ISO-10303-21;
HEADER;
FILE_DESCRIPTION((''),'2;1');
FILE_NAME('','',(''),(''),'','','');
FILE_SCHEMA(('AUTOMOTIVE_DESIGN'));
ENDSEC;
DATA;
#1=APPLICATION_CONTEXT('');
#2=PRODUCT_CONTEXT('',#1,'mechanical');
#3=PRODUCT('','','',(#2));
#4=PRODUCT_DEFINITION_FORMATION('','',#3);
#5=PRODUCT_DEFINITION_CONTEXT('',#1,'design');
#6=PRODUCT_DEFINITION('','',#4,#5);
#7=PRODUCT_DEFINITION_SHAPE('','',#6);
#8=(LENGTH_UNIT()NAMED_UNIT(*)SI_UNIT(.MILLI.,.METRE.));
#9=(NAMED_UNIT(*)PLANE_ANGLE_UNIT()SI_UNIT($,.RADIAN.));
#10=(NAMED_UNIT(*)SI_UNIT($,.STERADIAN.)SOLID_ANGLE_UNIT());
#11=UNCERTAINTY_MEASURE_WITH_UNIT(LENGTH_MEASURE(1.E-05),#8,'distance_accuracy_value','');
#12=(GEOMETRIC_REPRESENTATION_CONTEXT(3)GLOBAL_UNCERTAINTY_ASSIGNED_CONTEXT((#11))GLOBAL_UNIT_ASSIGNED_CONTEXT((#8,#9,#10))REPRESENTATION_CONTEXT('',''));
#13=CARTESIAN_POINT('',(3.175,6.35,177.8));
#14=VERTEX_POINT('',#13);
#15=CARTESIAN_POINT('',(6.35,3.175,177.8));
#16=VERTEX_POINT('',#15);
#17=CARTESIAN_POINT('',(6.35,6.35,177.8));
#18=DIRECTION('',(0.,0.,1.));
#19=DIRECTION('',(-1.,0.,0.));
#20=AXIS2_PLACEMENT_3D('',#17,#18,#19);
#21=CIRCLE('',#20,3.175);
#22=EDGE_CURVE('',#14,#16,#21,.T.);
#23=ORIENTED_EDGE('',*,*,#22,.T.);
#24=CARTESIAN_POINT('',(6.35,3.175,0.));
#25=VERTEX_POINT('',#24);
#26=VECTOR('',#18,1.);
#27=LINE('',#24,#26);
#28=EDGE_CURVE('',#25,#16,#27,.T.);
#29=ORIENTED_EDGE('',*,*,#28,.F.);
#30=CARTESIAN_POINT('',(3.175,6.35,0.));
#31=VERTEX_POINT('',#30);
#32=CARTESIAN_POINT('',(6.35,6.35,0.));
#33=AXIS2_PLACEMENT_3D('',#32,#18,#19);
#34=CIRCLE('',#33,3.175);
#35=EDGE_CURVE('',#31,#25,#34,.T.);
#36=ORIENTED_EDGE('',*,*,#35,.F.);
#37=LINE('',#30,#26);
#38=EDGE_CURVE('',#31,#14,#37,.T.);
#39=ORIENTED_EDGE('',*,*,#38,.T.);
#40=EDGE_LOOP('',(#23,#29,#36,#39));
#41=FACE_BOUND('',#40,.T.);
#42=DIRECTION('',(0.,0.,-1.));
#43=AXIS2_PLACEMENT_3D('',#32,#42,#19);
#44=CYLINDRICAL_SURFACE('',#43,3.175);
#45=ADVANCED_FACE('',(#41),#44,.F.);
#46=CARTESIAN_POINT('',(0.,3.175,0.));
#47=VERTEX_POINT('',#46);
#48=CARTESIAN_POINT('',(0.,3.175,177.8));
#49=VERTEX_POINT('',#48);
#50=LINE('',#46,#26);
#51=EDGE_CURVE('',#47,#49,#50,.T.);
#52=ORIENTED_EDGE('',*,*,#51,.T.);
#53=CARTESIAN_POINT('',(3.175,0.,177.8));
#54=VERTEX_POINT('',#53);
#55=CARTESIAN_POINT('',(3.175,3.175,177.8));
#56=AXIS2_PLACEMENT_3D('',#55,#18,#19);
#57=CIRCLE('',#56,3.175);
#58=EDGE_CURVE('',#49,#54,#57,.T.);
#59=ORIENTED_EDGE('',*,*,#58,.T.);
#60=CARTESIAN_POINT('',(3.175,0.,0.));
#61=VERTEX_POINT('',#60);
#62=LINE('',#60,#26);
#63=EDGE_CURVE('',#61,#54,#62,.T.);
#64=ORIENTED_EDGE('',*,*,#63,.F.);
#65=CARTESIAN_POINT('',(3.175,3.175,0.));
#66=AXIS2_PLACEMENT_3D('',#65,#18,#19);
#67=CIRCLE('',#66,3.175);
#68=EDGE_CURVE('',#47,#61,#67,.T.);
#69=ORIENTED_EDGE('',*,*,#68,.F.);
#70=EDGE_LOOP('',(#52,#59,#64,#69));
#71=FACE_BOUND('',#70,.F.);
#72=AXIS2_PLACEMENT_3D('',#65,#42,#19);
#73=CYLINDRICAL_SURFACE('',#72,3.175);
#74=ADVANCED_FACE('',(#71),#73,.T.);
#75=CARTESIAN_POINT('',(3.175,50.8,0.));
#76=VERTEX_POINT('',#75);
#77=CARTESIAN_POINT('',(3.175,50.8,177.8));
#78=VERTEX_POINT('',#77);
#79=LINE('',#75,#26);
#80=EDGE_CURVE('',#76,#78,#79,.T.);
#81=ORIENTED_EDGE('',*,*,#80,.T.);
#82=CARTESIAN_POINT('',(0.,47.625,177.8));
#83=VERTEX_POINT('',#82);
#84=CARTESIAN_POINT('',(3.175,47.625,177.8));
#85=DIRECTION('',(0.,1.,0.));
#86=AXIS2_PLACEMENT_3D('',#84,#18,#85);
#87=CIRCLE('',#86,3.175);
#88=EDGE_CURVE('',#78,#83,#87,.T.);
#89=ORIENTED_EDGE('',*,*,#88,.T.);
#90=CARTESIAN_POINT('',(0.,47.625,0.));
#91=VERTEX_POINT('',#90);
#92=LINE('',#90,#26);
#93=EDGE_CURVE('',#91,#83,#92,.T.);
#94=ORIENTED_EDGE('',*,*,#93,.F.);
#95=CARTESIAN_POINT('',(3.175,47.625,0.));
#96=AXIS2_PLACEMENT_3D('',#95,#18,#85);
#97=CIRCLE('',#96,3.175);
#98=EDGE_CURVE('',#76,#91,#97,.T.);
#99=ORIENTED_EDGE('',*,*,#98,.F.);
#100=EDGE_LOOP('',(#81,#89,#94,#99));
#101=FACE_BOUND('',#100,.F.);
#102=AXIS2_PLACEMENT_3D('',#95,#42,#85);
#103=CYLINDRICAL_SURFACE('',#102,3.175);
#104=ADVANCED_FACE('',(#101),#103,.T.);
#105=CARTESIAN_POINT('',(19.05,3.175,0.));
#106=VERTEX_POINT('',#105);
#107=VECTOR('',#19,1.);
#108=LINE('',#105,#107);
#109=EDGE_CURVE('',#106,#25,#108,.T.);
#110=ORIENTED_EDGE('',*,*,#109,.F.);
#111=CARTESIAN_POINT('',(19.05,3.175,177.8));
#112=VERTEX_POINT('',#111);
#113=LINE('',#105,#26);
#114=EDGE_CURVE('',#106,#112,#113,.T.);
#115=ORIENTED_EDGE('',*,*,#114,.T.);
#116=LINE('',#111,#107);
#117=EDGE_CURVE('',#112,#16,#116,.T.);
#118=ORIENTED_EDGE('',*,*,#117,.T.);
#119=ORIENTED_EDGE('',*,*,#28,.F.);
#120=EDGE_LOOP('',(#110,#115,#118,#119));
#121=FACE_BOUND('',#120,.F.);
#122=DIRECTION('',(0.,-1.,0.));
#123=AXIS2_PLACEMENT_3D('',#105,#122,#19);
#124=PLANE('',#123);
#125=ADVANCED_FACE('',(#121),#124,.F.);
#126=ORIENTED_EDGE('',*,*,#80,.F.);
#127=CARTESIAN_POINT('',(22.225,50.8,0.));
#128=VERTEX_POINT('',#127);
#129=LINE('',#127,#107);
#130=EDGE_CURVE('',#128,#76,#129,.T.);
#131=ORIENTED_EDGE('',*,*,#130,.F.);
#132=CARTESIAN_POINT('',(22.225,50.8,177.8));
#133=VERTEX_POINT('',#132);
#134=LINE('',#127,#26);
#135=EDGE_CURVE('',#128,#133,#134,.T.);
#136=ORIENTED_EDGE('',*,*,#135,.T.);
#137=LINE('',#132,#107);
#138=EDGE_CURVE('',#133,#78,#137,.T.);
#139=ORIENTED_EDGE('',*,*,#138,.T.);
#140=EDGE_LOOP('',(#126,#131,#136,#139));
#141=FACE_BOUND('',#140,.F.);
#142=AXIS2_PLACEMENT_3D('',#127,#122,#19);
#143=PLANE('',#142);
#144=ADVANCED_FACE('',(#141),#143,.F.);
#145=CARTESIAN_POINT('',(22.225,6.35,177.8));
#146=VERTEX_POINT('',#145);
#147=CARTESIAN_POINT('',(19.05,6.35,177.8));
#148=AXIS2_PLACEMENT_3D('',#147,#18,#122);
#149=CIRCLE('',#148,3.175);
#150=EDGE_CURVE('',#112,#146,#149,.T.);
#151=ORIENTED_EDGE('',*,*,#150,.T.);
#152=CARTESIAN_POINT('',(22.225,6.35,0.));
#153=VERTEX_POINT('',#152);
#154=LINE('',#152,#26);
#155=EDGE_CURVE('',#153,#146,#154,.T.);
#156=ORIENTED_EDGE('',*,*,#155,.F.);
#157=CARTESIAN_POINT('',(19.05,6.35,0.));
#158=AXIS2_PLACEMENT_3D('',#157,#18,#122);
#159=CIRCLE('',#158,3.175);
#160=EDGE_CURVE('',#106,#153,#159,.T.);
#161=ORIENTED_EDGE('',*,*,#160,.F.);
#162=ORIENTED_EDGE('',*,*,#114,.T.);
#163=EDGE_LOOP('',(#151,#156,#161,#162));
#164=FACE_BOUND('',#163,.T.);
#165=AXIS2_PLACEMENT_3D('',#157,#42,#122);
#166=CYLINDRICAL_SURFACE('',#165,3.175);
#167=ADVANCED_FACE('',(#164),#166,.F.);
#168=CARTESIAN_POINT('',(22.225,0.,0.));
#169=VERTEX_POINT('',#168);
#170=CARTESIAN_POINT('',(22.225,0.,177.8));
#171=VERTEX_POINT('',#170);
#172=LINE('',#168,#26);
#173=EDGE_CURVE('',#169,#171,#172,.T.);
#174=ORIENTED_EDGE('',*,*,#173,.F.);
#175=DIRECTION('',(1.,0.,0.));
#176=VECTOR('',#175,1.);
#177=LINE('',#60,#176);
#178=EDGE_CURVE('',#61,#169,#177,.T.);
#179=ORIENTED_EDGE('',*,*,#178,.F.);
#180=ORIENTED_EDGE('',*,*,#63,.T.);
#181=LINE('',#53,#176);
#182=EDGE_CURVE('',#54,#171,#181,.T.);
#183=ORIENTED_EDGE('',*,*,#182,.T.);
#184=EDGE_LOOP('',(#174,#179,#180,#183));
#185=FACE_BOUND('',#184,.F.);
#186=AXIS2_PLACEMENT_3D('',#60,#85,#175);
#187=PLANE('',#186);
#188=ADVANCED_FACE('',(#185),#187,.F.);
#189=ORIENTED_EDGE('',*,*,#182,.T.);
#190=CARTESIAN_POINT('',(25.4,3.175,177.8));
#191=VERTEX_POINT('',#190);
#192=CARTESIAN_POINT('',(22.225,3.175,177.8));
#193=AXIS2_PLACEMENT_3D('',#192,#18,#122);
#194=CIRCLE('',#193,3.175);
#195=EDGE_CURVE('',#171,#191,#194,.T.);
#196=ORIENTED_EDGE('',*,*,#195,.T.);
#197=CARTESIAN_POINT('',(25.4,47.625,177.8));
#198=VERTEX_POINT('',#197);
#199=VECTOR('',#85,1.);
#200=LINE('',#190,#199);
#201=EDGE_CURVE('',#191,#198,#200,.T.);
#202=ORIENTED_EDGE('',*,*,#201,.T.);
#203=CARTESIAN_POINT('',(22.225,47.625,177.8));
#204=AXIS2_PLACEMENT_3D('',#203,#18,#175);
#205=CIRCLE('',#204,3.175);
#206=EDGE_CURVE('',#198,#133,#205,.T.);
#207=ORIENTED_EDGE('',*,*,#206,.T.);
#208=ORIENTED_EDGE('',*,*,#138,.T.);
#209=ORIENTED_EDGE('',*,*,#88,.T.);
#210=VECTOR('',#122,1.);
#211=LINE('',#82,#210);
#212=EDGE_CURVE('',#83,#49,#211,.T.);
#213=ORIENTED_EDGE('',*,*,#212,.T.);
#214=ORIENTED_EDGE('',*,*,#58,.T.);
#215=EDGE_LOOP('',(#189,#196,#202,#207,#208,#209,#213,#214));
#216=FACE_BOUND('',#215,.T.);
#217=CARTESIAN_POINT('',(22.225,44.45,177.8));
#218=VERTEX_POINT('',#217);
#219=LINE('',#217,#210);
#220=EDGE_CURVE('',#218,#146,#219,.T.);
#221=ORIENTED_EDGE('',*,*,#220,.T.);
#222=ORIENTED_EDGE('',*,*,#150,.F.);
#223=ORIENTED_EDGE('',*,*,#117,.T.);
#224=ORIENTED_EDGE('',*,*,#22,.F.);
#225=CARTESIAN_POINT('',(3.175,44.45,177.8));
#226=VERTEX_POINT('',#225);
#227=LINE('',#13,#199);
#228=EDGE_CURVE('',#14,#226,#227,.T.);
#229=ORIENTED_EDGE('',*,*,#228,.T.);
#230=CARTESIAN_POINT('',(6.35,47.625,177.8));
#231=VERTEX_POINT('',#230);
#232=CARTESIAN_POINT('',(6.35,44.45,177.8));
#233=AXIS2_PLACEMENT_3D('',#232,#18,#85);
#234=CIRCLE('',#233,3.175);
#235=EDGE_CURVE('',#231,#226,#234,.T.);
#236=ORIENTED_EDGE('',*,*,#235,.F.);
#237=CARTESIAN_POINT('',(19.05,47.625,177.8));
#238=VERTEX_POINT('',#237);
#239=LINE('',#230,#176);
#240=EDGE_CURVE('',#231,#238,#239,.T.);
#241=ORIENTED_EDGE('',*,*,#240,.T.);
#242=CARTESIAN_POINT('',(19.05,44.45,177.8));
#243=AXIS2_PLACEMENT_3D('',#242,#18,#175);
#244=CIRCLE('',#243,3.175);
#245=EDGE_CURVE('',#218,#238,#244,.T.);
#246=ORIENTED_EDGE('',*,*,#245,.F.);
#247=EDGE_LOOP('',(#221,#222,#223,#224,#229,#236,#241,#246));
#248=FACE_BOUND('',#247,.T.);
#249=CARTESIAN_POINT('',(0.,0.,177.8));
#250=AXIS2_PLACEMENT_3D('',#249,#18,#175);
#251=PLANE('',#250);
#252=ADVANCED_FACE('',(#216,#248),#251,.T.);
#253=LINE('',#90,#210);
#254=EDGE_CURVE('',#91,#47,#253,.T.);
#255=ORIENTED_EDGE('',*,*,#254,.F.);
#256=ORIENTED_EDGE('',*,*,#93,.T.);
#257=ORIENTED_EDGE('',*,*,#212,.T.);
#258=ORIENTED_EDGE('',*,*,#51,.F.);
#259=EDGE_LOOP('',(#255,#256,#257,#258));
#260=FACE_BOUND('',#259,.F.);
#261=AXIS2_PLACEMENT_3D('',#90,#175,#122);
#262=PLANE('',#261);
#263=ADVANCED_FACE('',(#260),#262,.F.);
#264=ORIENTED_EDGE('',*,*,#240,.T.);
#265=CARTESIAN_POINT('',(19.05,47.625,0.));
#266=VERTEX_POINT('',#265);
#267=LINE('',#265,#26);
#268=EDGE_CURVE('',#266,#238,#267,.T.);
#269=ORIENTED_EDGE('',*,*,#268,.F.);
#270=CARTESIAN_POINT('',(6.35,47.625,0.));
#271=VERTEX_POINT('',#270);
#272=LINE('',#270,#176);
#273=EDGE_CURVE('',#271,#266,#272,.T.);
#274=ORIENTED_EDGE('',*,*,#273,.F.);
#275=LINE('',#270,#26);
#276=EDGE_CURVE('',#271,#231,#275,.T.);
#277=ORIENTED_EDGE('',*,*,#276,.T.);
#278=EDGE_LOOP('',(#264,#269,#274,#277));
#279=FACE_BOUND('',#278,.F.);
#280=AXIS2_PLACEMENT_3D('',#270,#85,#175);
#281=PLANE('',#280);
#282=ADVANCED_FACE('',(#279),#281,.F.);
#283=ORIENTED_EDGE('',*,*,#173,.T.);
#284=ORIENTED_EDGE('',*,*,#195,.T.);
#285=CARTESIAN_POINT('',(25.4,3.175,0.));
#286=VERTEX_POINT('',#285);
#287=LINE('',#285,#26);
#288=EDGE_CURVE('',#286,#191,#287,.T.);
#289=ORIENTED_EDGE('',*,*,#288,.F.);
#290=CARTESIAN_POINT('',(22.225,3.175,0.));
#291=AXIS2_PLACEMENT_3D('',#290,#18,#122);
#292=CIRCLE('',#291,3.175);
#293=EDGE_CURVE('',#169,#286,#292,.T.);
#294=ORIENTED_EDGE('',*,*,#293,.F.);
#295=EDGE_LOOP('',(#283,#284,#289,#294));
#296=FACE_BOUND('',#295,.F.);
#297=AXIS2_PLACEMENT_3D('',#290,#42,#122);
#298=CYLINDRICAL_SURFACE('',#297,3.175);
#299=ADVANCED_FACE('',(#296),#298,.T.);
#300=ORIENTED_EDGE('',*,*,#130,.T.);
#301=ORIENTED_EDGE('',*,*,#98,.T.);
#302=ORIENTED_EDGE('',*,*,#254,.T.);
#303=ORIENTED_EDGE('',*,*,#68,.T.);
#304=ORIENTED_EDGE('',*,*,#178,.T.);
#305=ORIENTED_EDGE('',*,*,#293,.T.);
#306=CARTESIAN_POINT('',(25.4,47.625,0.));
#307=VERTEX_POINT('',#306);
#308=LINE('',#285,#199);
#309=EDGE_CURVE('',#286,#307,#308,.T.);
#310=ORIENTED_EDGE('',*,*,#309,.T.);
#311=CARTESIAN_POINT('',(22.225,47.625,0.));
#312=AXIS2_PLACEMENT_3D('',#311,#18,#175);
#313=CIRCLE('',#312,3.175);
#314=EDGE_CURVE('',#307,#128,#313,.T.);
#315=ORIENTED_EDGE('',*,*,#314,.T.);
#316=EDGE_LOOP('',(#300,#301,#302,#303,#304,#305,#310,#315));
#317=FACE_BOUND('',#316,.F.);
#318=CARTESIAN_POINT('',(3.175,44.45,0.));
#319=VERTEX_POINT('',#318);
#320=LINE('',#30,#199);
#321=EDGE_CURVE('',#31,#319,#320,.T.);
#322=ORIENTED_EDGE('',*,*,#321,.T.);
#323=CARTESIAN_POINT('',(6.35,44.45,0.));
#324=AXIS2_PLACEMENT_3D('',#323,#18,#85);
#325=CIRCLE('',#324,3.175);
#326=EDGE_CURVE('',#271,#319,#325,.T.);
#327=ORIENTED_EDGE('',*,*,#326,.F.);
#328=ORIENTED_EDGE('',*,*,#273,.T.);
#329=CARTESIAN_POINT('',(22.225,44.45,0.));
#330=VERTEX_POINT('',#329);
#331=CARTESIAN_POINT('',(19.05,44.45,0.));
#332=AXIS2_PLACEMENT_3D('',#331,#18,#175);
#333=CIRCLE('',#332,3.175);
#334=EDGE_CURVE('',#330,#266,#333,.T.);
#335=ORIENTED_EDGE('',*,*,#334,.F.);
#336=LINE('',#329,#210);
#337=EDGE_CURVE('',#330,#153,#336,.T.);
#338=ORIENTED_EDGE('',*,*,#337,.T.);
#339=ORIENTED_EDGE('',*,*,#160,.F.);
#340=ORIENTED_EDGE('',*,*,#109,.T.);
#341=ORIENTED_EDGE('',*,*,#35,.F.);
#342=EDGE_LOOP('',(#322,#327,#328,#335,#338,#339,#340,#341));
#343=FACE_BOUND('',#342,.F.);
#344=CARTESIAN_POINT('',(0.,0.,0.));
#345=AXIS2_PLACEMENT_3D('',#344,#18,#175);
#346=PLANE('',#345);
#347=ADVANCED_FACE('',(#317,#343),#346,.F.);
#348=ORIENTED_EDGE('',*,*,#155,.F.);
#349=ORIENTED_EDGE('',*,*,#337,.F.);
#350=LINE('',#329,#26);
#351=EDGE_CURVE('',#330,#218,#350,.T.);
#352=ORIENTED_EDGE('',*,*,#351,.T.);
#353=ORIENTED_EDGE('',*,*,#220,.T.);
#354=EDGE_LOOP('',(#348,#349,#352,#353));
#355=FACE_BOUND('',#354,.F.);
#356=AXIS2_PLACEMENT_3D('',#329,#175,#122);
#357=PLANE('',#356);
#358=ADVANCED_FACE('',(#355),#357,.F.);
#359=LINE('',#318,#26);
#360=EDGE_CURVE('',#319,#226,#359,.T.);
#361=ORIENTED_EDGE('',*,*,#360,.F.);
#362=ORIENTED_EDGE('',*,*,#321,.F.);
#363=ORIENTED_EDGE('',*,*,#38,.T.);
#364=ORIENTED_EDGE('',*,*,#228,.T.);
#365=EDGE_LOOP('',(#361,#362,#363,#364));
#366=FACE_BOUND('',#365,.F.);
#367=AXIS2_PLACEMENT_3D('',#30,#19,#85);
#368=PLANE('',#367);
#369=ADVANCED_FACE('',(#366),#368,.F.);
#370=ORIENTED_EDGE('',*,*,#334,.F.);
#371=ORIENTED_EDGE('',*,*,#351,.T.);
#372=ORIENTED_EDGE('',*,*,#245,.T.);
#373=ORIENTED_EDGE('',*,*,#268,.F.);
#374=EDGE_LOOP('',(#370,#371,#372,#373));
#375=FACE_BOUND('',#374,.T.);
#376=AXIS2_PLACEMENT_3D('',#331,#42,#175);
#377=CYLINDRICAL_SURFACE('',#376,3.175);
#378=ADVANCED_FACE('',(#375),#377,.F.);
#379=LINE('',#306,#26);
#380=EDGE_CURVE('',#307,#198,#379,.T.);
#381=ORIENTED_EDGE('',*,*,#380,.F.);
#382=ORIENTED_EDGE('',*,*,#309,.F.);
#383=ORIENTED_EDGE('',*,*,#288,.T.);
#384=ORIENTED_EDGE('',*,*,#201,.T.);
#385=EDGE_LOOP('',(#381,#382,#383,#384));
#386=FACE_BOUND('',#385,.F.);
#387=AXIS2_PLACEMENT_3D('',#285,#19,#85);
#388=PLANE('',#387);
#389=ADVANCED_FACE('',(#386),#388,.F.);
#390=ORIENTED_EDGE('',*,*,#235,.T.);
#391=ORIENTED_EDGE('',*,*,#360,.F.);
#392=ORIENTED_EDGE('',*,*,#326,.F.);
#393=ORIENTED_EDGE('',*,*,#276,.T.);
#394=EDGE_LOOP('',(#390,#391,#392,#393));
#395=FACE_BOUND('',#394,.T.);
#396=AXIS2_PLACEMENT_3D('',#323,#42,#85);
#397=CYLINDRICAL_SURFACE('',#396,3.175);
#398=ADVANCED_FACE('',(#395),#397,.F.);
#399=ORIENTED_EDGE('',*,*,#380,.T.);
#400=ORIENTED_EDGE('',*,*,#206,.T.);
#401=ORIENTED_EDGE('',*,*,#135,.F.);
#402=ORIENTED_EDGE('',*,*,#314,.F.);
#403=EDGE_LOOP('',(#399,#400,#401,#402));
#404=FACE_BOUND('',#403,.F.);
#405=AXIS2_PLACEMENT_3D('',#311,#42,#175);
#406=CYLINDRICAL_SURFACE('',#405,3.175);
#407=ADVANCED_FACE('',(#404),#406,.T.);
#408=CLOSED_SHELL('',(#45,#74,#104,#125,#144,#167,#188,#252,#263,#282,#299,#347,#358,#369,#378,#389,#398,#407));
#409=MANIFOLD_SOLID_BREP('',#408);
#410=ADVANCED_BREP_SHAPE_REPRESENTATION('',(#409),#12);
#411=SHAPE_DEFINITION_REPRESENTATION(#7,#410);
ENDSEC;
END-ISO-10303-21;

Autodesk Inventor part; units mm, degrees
ref_plane "YZ Plane" through (0, 0, 0) normal (1, 0, 0) x (0, 1, 0)
ref_plane "XZ Plane" through (0, 0, 0) normal (0, 1, 0) x (-1, 0, 0)
ref_plane "XY Plane" through (0, 0, 0) normal (0, 0, 1) x (1, 0, 0)
sketch "Sketch1" plane through (0, 0, 0) normal (0, 0, 1) x (1, 0, 0)
  line L0 (3.175, 0) -> (22.225, 0)
  line L1 (25.4, 3.175) -> (25.4, 47.625)
  line L2 (22.225, 50.8) -> (3.175, 50.8)
  line L3 (0, 47.625) -> (0, 3.175)
  arc A0 (3.175, 50.8) -> (0, 47.625) centre (3.175, 47.625) ccw
  arc A1 (25.4, 47.625) -> (22.225, 50.8) centre (22.225, 47.625) ccw
  arc A2 (22.225, 0) -> (25.4, 3.175) centre (22.225, 3.175) ccw
  arc A3 (0, 3.175) -> (3.175, 0) centre (3.175, 3.175) ccw
  line L4 (6.35, 47.625) -> (19.05, 47.625)
  line L5 (22.225, 44.45) -> (22.225, 6.35)
  line L6 (19.05, 3.175) -> (6.35, 3.175)
  line L7 (3.175, 6.35) -> (3.175, 44.45)
  arc A4 (6.35, 47.625) -> (3.175, 44.45) centre (6.35, 44.45) ccw
  arc A5 (22.225, 44.45) -> (19.05, 47.625) centre (19.05, 44.45) ccw
  arc A6 (3.175, 6.35) -> (6.35, 3.175) centre (6.35, 6.35) ccw
  arc A7 (19.05, 3.175) -> (22.225, 6.35) centre (19.05, 6.35) ccw
  point P0 (0, 0)
  point P1 (25.4, 0)
  point P2 (0, 50.8)
  dimension "d0" = 50.8
  dimension "d1" = 25.4
  dimension "d2" = 3.175
  dimension "d3" = 3.175
  dimension "d4" = 3.175
  dimension "d5" = 3.175
  dimension "d6" = 3.175
  dimension "d7" = 3.175
  dimension "d8" = 3.175
  dimension "d9" = 3.175
  dimension "d10" = 3.175
extrude "Extrusion1" add sketch "Sketch1" along normal blind 177.8
properties part number "O channel 7 inch"
